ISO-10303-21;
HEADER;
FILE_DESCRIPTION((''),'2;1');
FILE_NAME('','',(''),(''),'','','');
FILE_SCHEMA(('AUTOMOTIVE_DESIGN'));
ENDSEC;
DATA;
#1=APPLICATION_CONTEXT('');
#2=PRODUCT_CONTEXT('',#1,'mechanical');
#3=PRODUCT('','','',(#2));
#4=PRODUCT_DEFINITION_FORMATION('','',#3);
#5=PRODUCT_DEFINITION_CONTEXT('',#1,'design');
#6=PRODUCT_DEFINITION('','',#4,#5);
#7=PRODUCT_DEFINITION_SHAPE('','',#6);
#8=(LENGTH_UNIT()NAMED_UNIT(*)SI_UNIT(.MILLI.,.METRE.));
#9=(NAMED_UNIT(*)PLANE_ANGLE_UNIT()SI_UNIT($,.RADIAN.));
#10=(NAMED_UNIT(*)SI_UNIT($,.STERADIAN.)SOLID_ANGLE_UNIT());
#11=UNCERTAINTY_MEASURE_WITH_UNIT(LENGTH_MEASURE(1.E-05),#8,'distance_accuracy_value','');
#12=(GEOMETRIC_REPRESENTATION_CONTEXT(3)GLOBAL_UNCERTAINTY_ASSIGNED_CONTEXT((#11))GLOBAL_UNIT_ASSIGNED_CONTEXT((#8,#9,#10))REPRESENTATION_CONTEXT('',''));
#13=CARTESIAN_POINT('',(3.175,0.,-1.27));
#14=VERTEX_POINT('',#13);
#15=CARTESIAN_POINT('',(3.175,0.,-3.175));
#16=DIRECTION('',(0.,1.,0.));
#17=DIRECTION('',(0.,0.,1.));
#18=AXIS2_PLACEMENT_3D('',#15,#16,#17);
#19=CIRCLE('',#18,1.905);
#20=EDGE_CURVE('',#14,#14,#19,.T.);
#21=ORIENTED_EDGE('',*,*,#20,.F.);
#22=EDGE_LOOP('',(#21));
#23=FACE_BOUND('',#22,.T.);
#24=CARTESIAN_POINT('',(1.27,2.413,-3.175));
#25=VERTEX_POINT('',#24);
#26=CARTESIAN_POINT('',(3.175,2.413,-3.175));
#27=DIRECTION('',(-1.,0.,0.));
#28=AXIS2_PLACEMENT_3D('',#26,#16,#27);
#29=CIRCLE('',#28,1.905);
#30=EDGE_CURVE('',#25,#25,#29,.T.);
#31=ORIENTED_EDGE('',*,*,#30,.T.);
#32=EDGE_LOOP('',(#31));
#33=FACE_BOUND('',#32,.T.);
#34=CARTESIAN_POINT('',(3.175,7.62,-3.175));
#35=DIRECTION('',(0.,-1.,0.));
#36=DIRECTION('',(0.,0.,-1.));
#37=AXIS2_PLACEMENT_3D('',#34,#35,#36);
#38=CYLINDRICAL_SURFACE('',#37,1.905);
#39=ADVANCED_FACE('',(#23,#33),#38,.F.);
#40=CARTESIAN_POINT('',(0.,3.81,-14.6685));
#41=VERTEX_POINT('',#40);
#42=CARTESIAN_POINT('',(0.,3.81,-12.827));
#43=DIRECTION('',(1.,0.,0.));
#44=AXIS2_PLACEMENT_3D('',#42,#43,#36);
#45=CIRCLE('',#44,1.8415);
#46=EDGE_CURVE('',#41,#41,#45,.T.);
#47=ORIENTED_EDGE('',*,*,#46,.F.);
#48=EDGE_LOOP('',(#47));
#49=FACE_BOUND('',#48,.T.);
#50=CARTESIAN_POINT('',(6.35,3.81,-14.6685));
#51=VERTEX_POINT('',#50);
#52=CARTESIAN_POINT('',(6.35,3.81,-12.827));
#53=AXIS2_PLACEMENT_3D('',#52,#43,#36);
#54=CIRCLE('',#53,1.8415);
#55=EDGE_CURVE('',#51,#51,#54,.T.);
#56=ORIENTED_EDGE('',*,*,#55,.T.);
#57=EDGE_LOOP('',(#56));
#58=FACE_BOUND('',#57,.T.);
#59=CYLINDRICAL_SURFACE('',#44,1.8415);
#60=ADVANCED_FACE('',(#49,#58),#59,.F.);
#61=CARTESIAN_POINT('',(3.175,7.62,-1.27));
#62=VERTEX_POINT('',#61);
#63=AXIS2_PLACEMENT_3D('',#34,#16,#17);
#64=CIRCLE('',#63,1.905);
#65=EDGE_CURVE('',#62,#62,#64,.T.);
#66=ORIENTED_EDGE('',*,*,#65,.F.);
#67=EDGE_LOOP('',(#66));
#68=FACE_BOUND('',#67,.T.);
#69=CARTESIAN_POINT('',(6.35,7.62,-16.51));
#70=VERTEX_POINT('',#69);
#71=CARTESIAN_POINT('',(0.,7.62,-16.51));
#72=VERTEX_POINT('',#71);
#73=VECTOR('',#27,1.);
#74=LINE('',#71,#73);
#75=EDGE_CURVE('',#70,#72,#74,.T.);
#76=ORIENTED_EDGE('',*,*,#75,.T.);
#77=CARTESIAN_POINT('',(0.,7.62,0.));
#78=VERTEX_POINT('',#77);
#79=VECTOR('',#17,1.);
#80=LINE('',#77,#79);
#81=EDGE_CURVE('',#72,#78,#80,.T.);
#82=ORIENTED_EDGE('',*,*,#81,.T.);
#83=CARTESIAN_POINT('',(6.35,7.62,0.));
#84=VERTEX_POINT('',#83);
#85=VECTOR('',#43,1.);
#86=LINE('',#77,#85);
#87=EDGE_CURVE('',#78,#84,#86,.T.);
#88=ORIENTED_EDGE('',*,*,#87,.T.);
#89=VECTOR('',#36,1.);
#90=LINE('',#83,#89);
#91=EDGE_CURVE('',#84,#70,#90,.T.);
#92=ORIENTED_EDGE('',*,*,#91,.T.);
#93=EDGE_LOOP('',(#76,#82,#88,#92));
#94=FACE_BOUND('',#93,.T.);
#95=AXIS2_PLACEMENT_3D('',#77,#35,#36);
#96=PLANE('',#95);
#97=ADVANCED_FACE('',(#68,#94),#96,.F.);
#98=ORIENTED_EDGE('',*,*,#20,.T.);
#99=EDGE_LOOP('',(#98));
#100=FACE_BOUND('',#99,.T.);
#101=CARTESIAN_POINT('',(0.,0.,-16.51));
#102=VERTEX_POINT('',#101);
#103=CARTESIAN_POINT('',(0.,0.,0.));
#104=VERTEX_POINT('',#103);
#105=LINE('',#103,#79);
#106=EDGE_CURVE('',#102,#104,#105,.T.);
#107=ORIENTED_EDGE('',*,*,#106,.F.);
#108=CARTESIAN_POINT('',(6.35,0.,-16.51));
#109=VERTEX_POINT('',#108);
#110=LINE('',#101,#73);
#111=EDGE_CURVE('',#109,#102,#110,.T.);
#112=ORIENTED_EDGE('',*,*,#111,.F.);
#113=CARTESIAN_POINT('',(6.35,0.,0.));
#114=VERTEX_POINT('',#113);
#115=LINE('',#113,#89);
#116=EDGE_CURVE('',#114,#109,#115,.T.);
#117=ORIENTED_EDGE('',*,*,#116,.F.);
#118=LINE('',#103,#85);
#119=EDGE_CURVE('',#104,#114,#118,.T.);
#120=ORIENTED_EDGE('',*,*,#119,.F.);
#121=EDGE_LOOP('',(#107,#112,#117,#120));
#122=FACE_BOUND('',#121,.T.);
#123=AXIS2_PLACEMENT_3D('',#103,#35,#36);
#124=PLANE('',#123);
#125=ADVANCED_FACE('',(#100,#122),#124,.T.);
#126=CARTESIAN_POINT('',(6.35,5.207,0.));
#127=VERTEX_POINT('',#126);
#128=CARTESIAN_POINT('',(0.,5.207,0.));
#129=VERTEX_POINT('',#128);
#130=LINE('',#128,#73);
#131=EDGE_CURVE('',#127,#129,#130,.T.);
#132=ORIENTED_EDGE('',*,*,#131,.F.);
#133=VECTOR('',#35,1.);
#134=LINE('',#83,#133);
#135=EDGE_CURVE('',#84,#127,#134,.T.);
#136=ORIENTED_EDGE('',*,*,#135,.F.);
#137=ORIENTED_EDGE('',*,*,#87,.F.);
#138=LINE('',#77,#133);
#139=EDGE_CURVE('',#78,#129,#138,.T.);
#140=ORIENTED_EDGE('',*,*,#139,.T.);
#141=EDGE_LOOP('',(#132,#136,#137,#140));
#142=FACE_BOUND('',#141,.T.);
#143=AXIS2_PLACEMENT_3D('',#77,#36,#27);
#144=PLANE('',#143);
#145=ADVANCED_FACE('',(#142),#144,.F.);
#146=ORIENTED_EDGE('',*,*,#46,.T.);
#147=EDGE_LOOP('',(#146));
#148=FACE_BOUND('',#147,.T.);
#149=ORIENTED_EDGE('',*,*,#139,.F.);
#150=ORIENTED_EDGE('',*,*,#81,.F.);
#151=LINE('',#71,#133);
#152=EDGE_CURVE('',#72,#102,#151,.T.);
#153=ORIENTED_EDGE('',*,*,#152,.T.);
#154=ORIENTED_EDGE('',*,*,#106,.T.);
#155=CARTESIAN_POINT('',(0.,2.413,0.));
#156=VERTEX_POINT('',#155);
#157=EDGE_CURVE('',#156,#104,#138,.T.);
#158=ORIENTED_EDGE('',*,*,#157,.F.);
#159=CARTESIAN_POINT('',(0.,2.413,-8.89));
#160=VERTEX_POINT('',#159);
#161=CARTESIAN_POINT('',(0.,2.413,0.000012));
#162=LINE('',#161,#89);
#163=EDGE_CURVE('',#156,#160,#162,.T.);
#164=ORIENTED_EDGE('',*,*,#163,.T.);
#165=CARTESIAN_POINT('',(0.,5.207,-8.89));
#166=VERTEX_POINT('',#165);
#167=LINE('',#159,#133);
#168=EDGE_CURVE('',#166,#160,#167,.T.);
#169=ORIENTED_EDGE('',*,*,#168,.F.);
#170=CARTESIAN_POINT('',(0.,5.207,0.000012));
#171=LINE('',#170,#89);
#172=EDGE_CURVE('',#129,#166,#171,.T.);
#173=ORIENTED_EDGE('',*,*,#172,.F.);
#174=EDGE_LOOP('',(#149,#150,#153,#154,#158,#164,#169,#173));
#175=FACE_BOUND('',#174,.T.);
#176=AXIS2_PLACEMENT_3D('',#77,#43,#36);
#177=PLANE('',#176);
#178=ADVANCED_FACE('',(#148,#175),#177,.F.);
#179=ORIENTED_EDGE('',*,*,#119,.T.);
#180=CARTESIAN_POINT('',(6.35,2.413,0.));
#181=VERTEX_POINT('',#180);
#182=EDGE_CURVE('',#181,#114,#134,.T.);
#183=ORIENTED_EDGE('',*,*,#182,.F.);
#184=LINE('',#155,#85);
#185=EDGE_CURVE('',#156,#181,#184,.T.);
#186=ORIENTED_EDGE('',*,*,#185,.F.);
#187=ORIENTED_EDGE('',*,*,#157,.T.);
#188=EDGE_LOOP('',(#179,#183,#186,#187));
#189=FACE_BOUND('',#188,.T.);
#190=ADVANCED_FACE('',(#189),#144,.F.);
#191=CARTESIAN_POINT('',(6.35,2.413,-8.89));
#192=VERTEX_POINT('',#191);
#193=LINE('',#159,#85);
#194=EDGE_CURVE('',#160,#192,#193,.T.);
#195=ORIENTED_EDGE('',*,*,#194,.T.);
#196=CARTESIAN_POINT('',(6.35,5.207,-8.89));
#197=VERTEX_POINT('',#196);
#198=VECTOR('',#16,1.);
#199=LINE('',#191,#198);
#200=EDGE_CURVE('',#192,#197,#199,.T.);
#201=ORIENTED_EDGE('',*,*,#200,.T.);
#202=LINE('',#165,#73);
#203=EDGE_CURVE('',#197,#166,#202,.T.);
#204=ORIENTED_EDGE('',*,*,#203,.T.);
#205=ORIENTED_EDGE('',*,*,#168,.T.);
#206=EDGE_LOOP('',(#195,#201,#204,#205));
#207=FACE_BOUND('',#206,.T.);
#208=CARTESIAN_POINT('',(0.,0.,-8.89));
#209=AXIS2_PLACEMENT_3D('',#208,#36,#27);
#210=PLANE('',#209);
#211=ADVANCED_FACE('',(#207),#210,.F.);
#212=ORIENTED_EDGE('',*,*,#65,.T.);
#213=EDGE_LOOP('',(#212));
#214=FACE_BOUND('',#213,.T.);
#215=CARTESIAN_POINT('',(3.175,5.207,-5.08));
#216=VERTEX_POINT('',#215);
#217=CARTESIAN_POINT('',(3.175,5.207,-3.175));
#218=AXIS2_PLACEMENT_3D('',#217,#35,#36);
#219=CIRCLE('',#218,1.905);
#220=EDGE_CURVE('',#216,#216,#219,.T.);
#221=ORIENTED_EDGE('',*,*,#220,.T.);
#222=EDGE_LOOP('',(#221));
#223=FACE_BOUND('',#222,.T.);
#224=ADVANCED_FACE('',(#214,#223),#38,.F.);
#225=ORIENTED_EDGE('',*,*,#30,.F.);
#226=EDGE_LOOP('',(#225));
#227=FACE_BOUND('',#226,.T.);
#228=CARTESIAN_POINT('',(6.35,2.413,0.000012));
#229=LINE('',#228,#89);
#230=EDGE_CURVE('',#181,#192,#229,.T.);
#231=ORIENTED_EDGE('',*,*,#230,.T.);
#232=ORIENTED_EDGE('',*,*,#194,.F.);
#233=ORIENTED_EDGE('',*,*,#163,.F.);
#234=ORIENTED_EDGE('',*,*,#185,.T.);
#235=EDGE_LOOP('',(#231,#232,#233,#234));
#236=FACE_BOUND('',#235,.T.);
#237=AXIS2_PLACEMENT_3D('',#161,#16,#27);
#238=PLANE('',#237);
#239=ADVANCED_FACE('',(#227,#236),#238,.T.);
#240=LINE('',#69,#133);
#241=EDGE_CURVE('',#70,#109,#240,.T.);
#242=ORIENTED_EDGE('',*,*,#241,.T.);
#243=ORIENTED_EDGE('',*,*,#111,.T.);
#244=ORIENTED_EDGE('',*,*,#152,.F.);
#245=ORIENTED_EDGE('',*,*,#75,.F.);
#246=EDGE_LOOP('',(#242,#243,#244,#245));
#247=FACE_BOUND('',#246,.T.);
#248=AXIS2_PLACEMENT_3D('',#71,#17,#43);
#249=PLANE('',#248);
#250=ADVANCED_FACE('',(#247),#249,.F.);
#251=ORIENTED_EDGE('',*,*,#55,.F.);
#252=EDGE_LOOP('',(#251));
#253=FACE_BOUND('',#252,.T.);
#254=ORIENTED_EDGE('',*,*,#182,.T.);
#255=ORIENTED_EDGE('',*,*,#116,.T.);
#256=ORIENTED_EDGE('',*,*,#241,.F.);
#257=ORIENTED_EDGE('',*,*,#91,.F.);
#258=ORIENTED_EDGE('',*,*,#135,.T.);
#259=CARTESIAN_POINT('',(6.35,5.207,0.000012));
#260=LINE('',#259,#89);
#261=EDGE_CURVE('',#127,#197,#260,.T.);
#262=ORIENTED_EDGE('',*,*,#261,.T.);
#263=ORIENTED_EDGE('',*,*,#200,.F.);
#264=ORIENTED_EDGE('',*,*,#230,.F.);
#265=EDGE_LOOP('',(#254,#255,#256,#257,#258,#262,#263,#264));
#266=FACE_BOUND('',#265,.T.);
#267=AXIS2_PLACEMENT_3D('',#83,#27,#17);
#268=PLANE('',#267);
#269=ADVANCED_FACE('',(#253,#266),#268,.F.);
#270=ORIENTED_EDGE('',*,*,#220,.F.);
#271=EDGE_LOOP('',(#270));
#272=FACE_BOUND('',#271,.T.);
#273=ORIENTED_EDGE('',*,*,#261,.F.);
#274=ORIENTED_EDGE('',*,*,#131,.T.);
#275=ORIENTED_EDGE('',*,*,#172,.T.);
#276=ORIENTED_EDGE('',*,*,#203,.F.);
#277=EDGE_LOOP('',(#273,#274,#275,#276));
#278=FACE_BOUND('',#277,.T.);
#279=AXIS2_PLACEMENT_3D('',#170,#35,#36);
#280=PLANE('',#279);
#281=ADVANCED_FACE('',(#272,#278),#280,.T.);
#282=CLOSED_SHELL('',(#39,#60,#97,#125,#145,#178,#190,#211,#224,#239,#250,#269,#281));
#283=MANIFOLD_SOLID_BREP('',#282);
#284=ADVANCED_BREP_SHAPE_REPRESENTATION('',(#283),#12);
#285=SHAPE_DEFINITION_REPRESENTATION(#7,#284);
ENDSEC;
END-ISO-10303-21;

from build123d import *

# Parameters (mm, degrees)
SKETCH1_W               = 6.35
SKETCH1_H               = 16.51
SKETCH1_R               = 1.905
BOSS_EXTRUDE1_DEPTH     = 7.62
SKETCH2_W               = 6.35
SKETCH2_H               = 2.794
CUT_EXTRUDE1_DEPTH      = 1
CUT_EXTRUDE1_DEPTH_BACK = 8.89
SKETCH4_R               = 1.8415
CUT_EXTRUDE2_DEPTH      = 7.35


with BuildPart() as part:
    # Sketch1 → Boss-Extrude1 (new body)
    with BuildSketch(Plane(origin=(0, 0, 0), x_dir=(1, 0, 0), z_dir=(0, 1, 0))):
        with Locations((3.175, 8.255)):
            Rectangle(SKETCH1_W, SKETCH1_H)
        with Locations((3.175, 3.175)):
            Circle(SKETCH1_R, mode=Mode.SUBTRACT)
    extrude(amount=BOSS_EXTRUDE1_DEPTH)

    # Sketch2 → Cut-Extrude1 (cut, two sides)
    with BuildSketch(Plane.XY) as cut_extrude1_sk:
        with Locations((3.175, 3.81)):
            Rectangle(SKETCH2_W, SKETCH2_H)
    extrude(amount=CUT_EXTRUDE1_DEPTH, mode=Mode.SUBTRACT)
    extrude(cut_extrude1_sk.sketch, amount=-CUT_EXTRUDE1_DEPTH_BACK, mode=Mode.SUBTRACT)

    # Sketch4 → Cut-Extrude2 (cut, through all)
    with BuildSketch(Plane(origin=(6.35, 0, 0), x_dir=(0, 0, -1), z_dir=(1, 0, 0))):
        with Locations((12.827, 3.81)):
            Circle(SKETCH4_R)
    extrude(amount=-CUT_EXTRUDE2_DEPTH, mode=Mode.SUBTRACT)


solid = part.part
